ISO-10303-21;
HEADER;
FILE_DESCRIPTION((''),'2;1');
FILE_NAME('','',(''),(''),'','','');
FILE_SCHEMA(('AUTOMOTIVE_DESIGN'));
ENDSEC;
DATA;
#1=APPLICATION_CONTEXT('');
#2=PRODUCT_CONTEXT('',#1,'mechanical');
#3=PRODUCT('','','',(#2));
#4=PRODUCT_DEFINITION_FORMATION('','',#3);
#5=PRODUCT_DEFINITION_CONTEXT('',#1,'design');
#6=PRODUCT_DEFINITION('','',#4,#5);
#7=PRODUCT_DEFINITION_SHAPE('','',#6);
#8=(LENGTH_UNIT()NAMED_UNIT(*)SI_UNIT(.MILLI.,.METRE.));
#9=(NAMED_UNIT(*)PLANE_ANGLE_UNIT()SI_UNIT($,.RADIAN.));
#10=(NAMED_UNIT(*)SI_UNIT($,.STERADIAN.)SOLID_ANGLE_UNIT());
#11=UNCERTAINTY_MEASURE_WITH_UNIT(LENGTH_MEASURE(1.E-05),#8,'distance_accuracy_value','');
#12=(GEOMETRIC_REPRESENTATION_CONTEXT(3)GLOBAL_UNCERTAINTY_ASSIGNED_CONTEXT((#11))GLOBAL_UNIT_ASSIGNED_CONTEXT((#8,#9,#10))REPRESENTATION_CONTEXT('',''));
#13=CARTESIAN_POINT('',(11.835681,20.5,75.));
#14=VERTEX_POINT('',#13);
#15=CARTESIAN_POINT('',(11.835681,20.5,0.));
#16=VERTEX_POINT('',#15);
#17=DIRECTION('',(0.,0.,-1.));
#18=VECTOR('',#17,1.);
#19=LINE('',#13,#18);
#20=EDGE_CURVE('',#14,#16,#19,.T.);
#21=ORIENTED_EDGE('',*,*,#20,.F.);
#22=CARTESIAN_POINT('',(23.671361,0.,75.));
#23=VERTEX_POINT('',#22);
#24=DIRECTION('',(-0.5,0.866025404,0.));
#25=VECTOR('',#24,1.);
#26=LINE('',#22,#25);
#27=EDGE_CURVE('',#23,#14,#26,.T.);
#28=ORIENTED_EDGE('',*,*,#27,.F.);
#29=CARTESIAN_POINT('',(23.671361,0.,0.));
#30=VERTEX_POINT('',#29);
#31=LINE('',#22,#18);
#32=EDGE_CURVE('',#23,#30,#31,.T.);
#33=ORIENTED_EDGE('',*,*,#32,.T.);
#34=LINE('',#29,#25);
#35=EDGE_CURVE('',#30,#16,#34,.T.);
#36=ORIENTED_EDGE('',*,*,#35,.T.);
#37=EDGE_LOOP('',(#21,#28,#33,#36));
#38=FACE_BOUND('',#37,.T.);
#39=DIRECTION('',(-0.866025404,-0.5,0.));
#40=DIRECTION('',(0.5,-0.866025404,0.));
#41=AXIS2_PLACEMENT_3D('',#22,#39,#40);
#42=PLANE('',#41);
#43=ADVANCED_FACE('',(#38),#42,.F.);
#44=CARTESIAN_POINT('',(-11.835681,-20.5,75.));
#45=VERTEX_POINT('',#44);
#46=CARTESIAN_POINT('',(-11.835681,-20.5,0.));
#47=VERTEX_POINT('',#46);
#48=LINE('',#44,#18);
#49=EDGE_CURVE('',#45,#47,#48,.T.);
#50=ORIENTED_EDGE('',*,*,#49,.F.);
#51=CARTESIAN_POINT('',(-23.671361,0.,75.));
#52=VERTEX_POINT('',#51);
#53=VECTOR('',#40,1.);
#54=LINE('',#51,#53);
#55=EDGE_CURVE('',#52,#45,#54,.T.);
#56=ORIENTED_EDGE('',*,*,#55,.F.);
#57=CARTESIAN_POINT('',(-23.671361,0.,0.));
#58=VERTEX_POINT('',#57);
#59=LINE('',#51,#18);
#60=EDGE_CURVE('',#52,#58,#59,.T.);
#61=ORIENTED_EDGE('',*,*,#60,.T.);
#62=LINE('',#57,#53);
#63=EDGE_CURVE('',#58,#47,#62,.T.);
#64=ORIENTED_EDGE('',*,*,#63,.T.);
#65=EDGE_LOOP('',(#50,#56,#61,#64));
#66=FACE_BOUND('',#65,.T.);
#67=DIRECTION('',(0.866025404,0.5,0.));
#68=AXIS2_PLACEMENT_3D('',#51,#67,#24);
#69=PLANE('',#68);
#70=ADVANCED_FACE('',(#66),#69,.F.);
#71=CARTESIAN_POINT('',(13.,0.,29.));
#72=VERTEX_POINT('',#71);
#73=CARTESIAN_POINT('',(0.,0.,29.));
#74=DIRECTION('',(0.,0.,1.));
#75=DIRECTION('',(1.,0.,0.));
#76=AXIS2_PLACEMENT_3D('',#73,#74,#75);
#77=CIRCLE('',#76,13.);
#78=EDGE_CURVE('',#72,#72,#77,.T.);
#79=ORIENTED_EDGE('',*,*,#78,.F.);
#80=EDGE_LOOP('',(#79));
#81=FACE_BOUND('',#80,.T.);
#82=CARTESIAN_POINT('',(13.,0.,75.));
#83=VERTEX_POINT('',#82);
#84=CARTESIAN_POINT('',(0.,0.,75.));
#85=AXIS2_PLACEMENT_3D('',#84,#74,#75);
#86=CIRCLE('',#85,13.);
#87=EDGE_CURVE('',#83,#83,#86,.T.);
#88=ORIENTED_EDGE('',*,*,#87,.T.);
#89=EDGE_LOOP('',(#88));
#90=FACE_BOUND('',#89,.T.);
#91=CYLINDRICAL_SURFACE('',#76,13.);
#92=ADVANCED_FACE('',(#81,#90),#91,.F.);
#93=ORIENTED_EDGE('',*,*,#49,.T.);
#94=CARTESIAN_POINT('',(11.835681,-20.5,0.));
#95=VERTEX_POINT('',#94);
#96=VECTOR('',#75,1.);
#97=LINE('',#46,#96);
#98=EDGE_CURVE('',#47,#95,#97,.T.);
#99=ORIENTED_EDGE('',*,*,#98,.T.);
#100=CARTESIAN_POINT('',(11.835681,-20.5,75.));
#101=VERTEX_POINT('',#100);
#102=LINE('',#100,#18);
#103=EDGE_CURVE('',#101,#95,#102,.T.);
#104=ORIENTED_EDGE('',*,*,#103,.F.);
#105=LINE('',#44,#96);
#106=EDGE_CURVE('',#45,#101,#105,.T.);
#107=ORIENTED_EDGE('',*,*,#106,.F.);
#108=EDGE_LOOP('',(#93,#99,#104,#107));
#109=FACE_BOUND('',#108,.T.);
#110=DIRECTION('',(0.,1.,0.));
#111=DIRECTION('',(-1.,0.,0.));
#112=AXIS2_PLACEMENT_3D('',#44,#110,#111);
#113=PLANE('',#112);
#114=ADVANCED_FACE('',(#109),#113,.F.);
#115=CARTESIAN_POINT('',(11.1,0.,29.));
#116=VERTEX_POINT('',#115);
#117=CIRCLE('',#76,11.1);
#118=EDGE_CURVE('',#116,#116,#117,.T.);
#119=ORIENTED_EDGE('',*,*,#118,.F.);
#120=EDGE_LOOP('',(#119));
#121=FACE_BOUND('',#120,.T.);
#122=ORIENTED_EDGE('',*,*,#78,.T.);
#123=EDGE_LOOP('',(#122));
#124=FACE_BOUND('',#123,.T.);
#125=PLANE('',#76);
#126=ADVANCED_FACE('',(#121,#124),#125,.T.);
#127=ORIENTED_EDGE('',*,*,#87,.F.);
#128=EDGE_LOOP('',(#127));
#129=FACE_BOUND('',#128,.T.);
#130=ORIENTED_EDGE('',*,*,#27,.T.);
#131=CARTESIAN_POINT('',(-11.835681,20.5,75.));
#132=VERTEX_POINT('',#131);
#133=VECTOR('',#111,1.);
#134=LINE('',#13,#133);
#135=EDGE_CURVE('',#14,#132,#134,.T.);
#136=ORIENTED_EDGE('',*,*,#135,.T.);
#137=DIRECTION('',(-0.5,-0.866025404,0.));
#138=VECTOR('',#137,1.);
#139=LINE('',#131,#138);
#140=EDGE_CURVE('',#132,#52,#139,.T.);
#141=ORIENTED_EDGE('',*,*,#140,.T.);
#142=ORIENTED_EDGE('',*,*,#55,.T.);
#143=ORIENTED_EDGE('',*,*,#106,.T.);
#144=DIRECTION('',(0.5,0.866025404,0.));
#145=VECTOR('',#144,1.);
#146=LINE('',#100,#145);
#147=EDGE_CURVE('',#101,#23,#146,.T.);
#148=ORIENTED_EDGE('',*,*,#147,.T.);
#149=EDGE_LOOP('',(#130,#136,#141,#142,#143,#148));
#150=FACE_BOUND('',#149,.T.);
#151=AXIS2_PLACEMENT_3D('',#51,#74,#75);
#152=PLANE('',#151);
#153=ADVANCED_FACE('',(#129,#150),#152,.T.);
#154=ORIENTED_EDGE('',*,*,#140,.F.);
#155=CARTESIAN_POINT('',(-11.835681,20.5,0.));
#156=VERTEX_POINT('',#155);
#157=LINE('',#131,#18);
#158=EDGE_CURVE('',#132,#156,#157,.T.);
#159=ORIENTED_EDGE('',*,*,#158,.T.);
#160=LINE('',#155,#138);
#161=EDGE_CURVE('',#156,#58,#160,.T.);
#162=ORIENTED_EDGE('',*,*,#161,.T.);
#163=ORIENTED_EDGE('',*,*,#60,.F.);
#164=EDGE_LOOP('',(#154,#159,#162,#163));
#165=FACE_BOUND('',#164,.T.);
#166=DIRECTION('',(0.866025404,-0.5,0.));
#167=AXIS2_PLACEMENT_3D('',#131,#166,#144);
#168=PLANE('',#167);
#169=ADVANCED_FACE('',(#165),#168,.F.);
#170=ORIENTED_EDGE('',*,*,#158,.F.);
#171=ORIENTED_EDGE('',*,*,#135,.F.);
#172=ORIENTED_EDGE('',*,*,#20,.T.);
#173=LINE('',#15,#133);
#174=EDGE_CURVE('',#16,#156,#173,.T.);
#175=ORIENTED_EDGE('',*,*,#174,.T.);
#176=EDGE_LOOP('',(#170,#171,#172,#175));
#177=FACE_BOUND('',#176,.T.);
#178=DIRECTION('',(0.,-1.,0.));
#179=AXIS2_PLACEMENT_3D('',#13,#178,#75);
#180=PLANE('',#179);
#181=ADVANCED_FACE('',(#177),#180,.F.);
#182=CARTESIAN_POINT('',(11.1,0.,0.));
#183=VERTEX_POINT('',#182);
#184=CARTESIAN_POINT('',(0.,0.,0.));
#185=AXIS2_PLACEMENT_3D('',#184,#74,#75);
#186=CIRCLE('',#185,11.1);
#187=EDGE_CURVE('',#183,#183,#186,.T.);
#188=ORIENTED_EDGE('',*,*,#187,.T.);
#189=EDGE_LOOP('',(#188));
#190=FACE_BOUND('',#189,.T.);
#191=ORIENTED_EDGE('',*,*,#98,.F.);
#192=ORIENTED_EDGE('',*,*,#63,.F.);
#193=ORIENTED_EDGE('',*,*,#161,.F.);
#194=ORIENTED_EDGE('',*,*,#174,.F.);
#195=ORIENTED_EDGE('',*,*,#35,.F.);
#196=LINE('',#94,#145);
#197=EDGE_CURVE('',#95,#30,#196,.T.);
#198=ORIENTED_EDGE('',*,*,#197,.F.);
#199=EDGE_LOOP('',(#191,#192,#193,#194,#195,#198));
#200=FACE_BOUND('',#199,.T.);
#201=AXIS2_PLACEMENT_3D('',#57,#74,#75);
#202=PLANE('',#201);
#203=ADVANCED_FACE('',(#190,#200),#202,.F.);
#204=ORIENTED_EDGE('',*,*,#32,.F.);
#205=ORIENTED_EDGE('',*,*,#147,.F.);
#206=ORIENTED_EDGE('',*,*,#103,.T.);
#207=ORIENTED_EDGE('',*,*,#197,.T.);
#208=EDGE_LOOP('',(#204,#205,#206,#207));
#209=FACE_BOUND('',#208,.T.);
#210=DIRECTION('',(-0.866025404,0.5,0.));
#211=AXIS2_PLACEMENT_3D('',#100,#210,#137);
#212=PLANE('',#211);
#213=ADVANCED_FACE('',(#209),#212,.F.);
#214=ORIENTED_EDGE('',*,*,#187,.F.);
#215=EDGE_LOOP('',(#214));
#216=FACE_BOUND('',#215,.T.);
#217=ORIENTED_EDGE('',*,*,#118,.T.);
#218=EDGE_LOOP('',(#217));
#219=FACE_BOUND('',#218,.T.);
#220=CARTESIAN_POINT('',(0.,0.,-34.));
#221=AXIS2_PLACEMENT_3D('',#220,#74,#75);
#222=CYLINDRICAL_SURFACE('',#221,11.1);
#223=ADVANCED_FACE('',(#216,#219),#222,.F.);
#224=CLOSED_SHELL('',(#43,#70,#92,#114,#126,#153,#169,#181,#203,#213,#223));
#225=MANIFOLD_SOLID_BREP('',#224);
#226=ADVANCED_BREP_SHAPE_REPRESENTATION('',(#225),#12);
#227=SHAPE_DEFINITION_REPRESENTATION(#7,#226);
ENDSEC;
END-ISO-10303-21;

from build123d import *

# Parameters (mm, degrees)
EXTRUDE_1_DEPTH     = 75
SKETCH_2_R          = 13
CUT_EXTRUDE_1_DEPTH = 46
SKETCH_3_R          = 11.1
CUT_EXTRUDE_2_DEPTH = 63


with BuildPart() as part:
    # 草图1 → 凸台-拉伸1 (new body)
    with BuildSketch(Plane.XY):
        Polygon((-23.671361037, 0), (-11.835680518, -20.5), (11.835680518, -20.5), (23.671361037, 0), (11.835680518, 20.5), (-11.835680518, 20.5), align=None)
    extrude(amount=EXTRUDE_1_DEPTH)

    # 草图2 → 切除-拉伸1 (cut)
    with BuildSketch(Plane.XY.offset(75)):
        Circle(SKETCH_2_R)
    extrude(amount=-CUT_EXTRUDE_1_DEPTH, mode=Mode.SUBTRACT)

    # 草图3 → 切除-拉伸2 (cut)
    with BuildSketch(Plane.XY.offset(29)):
        Circle(SKETCH_3_R)
    extrude(amount=-CUT_EXTRUDE_2_DEPTH, mode=Mode.SUBTRACT)


solid = part.part
